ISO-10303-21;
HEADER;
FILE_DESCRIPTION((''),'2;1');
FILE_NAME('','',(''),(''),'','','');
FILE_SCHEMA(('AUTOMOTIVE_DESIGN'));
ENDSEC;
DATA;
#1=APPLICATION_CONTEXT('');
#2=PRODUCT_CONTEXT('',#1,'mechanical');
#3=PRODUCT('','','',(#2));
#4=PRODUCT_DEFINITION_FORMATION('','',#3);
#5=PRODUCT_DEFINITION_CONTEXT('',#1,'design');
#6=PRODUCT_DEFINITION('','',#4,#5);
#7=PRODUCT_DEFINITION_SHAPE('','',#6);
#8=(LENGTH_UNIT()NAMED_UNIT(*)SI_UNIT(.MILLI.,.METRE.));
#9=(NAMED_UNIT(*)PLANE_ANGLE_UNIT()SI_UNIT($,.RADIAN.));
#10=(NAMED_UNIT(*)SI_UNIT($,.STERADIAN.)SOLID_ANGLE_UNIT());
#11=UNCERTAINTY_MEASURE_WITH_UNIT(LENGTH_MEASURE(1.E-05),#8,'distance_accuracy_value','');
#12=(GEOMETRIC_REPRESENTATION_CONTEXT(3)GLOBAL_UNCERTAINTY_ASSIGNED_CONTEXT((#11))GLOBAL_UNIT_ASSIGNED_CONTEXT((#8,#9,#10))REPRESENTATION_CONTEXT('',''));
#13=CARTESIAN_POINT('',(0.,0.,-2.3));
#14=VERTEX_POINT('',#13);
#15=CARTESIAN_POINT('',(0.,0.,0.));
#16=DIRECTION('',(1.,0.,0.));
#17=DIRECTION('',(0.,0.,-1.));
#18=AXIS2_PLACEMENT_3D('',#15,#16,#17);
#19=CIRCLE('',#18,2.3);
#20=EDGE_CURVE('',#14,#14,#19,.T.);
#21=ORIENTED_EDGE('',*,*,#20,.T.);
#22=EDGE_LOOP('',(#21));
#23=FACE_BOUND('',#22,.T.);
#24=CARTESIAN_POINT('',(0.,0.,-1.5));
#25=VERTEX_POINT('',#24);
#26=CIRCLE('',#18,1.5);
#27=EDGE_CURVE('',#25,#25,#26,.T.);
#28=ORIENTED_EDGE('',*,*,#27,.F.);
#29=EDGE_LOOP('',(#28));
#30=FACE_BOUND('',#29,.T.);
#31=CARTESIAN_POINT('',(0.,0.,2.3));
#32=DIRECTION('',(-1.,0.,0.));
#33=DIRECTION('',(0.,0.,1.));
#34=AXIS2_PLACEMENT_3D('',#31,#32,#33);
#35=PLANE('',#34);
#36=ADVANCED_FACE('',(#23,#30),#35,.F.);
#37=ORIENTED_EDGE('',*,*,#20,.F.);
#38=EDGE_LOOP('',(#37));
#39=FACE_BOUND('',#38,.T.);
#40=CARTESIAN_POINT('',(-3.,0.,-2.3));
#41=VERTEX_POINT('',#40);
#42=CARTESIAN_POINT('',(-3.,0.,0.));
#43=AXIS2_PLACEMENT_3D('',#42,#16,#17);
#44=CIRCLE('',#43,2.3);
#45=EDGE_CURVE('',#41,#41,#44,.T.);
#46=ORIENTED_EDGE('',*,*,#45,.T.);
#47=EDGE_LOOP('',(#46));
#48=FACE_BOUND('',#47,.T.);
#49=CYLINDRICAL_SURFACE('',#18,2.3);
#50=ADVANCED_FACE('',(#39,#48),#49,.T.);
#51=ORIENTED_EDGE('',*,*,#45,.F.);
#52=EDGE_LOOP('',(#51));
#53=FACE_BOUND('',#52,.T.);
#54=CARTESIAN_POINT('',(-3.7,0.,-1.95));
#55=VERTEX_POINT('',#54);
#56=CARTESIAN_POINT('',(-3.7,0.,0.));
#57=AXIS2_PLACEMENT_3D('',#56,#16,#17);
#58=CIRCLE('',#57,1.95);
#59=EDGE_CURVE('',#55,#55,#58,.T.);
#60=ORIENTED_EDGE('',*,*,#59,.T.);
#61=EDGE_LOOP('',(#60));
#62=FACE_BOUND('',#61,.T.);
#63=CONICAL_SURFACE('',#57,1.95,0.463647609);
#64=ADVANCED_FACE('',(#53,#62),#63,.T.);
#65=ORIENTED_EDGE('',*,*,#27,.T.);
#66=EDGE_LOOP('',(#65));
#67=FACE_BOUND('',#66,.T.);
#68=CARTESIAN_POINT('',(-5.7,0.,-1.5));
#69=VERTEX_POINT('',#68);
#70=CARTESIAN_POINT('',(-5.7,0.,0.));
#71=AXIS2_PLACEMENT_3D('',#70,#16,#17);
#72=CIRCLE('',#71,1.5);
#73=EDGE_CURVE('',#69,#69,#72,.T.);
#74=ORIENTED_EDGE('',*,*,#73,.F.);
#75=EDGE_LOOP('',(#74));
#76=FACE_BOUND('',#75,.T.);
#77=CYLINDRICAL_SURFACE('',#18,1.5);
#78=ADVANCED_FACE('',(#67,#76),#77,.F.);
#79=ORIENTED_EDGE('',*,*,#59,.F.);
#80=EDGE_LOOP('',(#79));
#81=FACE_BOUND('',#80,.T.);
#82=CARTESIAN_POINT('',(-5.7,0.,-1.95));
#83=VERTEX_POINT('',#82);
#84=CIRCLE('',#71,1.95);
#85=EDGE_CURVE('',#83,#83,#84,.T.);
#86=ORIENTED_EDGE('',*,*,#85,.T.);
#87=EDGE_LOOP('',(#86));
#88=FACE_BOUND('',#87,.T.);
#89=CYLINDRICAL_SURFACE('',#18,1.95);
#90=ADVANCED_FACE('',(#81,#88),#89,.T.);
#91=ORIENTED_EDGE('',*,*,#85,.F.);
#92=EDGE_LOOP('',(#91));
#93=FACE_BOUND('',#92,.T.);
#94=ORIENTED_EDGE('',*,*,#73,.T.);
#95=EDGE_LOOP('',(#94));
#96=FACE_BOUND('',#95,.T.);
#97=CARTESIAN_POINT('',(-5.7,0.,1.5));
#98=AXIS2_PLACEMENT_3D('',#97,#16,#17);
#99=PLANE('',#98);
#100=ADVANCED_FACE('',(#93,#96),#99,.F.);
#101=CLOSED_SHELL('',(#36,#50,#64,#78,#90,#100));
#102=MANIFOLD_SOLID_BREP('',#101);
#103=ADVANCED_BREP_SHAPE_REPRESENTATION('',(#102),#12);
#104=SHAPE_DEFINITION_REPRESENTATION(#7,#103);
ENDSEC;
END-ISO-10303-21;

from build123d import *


with BuildPart() as part:
    # Croquis1 → Revolución1 (revolve)
    with BuildSketch(Plane(origin=(0, 0, 0), x_dir=(-1, 0, 0), z_dir=(0, 1, 0)), mode=Mode.PRIVATE) as revoluci_n1_sk:
        Polygon((0, 2.3), (0, 1.5), (5.7, 1.5), (5.7, 1.95), (3.7, 1.95), (3, 2.3), align=None)
    revolve(revoluci_n1_sk.sketch.rotate(Axis((0, 0, 0), (-1, 0, 0)), 180), axis=Axis((0, 0, 0), (-1, 0, 0)))


solid = part.part
